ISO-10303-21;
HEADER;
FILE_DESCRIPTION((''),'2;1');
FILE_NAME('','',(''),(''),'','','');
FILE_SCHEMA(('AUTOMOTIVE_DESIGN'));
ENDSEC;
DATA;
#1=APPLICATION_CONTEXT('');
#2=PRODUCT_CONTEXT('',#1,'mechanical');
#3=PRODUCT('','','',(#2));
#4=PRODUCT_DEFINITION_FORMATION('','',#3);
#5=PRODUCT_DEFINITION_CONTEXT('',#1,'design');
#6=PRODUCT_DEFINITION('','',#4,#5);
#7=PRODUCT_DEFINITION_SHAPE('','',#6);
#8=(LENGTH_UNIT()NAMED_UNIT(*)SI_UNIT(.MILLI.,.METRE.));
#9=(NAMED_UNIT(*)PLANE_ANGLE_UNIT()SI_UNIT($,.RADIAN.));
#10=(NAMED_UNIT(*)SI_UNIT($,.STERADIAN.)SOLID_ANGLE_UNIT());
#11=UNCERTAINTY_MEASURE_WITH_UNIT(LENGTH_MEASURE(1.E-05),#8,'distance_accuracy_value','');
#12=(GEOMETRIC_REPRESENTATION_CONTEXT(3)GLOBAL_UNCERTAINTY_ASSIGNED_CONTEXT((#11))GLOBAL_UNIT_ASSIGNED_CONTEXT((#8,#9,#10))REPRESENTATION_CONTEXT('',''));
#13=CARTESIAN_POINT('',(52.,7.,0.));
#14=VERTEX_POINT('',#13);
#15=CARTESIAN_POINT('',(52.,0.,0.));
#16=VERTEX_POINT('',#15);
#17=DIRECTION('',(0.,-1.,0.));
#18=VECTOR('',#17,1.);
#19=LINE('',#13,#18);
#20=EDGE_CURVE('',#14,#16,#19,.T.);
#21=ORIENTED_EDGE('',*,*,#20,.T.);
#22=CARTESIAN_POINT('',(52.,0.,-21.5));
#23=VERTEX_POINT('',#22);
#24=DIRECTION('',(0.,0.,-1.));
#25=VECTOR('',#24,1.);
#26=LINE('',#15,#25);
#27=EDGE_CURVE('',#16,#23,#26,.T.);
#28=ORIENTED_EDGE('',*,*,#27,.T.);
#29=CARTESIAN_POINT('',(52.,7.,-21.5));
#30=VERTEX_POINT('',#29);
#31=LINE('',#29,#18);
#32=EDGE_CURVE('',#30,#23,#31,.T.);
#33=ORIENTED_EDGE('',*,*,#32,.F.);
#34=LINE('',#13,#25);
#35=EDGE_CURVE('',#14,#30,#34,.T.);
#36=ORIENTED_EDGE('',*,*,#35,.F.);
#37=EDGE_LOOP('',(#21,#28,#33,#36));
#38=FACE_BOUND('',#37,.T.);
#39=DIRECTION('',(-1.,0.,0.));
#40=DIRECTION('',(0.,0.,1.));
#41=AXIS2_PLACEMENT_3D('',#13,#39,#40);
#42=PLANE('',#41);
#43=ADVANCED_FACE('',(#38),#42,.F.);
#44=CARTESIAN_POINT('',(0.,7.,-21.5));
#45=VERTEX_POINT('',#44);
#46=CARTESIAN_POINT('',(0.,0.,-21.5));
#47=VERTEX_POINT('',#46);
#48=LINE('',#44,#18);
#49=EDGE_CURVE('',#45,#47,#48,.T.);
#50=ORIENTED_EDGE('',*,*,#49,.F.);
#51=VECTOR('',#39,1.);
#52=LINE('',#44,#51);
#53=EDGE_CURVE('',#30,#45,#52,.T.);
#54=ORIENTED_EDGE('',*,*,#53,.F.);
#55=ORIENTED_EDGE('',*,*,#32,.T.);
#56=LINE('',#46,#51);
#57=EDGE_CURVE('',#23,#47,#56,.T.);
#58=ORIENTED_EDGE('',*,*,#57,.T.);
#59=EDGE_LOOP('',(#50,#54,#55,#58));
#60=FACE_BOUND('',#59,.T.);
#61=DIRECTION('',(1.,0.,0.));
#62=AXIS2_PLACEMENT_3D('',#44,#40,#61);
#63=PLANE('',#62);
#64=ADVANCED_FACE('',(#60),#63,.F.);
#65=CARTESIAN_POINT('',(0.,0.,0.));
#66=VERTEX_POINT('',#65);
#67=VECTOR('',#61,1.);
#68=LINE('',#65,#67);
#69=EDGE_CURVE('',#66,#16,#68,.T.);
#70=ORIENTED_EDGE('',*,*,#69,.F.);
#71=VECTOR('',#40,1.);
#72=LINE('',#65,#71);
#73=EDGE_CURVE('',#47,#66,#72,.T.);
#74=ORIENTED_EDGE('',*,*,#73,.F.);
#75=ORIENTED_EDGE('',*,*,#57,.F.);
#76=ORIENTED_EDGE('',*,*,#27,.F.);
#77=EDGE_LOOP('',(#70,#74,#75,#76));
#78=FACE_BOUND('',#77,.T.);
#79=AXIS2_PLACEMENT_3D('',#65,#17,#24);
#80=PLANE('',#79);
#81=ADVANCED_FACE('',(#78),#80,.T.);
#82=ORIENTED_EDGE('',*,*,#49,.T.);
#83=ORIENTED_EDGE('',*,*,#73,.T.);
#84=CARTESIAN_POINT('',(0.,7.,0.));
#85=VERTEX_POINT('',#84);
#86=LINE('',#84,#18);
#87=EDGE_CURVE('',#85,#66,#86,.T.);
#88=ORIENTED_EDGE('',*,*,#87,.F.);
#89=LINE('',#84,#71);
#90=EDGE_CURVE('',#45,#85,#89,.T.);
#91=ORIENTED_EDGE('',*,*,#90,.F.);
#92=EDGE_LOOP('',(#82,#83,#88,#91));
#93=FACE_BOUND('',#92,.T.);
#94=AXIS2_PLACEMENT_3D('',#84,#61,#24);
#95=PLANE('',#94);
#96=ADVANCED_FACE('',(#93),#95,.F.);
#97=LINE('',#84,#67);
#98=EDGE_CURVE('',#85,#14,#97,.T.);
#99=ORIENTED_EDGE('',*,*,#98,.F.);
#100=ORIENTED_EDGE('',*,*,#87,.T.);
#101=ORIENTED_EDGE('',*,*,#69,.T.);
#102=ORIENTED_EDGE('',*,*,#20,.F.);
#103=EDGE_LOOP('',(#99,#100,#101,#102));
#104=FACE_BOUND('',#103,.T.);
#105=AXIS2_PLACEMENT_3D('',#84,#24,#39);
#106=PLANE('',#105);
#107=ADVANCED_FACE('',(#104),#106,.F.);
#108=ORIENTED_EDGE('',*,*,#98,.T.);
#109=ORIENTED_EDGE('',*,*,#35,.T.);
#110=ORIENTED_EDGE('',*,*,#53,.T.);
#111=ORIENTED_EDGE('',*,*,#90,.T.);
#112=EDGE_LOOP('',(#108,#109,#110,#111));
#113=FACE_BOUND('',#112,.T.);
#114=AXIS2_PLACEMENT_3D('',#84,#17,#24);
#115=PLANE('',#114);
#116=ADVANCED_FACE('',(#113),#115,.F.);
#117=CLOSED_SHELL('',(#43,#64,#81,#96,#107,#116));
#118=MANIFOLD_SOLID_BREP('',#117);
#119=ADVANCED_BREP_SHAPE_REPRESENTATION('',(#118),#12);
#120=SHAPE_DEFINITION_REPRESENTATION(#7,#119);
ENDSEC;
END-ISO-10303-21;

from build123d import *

# Parameters (mm, degrees)
SKETCH_1_W      = 52
SKETCH_1_H      = 21.5
EXTRUDE_1_DEPTH = 7


with BuildPart() as part:
    # 草圖1 → 填料-伸長1 (new body)
    with BuildSketch(Plane(origin=(0, 0, 0), x_dir=(1, 0, 0), z_dir=(0, 1, 0))):
        with Locations((26, 10.75)):
            Rectangle(SKETCH_1_W, SKETCH_1_H)
    extrude(amount=EXTRUDE_1_DEPTH)


solid = part.part
